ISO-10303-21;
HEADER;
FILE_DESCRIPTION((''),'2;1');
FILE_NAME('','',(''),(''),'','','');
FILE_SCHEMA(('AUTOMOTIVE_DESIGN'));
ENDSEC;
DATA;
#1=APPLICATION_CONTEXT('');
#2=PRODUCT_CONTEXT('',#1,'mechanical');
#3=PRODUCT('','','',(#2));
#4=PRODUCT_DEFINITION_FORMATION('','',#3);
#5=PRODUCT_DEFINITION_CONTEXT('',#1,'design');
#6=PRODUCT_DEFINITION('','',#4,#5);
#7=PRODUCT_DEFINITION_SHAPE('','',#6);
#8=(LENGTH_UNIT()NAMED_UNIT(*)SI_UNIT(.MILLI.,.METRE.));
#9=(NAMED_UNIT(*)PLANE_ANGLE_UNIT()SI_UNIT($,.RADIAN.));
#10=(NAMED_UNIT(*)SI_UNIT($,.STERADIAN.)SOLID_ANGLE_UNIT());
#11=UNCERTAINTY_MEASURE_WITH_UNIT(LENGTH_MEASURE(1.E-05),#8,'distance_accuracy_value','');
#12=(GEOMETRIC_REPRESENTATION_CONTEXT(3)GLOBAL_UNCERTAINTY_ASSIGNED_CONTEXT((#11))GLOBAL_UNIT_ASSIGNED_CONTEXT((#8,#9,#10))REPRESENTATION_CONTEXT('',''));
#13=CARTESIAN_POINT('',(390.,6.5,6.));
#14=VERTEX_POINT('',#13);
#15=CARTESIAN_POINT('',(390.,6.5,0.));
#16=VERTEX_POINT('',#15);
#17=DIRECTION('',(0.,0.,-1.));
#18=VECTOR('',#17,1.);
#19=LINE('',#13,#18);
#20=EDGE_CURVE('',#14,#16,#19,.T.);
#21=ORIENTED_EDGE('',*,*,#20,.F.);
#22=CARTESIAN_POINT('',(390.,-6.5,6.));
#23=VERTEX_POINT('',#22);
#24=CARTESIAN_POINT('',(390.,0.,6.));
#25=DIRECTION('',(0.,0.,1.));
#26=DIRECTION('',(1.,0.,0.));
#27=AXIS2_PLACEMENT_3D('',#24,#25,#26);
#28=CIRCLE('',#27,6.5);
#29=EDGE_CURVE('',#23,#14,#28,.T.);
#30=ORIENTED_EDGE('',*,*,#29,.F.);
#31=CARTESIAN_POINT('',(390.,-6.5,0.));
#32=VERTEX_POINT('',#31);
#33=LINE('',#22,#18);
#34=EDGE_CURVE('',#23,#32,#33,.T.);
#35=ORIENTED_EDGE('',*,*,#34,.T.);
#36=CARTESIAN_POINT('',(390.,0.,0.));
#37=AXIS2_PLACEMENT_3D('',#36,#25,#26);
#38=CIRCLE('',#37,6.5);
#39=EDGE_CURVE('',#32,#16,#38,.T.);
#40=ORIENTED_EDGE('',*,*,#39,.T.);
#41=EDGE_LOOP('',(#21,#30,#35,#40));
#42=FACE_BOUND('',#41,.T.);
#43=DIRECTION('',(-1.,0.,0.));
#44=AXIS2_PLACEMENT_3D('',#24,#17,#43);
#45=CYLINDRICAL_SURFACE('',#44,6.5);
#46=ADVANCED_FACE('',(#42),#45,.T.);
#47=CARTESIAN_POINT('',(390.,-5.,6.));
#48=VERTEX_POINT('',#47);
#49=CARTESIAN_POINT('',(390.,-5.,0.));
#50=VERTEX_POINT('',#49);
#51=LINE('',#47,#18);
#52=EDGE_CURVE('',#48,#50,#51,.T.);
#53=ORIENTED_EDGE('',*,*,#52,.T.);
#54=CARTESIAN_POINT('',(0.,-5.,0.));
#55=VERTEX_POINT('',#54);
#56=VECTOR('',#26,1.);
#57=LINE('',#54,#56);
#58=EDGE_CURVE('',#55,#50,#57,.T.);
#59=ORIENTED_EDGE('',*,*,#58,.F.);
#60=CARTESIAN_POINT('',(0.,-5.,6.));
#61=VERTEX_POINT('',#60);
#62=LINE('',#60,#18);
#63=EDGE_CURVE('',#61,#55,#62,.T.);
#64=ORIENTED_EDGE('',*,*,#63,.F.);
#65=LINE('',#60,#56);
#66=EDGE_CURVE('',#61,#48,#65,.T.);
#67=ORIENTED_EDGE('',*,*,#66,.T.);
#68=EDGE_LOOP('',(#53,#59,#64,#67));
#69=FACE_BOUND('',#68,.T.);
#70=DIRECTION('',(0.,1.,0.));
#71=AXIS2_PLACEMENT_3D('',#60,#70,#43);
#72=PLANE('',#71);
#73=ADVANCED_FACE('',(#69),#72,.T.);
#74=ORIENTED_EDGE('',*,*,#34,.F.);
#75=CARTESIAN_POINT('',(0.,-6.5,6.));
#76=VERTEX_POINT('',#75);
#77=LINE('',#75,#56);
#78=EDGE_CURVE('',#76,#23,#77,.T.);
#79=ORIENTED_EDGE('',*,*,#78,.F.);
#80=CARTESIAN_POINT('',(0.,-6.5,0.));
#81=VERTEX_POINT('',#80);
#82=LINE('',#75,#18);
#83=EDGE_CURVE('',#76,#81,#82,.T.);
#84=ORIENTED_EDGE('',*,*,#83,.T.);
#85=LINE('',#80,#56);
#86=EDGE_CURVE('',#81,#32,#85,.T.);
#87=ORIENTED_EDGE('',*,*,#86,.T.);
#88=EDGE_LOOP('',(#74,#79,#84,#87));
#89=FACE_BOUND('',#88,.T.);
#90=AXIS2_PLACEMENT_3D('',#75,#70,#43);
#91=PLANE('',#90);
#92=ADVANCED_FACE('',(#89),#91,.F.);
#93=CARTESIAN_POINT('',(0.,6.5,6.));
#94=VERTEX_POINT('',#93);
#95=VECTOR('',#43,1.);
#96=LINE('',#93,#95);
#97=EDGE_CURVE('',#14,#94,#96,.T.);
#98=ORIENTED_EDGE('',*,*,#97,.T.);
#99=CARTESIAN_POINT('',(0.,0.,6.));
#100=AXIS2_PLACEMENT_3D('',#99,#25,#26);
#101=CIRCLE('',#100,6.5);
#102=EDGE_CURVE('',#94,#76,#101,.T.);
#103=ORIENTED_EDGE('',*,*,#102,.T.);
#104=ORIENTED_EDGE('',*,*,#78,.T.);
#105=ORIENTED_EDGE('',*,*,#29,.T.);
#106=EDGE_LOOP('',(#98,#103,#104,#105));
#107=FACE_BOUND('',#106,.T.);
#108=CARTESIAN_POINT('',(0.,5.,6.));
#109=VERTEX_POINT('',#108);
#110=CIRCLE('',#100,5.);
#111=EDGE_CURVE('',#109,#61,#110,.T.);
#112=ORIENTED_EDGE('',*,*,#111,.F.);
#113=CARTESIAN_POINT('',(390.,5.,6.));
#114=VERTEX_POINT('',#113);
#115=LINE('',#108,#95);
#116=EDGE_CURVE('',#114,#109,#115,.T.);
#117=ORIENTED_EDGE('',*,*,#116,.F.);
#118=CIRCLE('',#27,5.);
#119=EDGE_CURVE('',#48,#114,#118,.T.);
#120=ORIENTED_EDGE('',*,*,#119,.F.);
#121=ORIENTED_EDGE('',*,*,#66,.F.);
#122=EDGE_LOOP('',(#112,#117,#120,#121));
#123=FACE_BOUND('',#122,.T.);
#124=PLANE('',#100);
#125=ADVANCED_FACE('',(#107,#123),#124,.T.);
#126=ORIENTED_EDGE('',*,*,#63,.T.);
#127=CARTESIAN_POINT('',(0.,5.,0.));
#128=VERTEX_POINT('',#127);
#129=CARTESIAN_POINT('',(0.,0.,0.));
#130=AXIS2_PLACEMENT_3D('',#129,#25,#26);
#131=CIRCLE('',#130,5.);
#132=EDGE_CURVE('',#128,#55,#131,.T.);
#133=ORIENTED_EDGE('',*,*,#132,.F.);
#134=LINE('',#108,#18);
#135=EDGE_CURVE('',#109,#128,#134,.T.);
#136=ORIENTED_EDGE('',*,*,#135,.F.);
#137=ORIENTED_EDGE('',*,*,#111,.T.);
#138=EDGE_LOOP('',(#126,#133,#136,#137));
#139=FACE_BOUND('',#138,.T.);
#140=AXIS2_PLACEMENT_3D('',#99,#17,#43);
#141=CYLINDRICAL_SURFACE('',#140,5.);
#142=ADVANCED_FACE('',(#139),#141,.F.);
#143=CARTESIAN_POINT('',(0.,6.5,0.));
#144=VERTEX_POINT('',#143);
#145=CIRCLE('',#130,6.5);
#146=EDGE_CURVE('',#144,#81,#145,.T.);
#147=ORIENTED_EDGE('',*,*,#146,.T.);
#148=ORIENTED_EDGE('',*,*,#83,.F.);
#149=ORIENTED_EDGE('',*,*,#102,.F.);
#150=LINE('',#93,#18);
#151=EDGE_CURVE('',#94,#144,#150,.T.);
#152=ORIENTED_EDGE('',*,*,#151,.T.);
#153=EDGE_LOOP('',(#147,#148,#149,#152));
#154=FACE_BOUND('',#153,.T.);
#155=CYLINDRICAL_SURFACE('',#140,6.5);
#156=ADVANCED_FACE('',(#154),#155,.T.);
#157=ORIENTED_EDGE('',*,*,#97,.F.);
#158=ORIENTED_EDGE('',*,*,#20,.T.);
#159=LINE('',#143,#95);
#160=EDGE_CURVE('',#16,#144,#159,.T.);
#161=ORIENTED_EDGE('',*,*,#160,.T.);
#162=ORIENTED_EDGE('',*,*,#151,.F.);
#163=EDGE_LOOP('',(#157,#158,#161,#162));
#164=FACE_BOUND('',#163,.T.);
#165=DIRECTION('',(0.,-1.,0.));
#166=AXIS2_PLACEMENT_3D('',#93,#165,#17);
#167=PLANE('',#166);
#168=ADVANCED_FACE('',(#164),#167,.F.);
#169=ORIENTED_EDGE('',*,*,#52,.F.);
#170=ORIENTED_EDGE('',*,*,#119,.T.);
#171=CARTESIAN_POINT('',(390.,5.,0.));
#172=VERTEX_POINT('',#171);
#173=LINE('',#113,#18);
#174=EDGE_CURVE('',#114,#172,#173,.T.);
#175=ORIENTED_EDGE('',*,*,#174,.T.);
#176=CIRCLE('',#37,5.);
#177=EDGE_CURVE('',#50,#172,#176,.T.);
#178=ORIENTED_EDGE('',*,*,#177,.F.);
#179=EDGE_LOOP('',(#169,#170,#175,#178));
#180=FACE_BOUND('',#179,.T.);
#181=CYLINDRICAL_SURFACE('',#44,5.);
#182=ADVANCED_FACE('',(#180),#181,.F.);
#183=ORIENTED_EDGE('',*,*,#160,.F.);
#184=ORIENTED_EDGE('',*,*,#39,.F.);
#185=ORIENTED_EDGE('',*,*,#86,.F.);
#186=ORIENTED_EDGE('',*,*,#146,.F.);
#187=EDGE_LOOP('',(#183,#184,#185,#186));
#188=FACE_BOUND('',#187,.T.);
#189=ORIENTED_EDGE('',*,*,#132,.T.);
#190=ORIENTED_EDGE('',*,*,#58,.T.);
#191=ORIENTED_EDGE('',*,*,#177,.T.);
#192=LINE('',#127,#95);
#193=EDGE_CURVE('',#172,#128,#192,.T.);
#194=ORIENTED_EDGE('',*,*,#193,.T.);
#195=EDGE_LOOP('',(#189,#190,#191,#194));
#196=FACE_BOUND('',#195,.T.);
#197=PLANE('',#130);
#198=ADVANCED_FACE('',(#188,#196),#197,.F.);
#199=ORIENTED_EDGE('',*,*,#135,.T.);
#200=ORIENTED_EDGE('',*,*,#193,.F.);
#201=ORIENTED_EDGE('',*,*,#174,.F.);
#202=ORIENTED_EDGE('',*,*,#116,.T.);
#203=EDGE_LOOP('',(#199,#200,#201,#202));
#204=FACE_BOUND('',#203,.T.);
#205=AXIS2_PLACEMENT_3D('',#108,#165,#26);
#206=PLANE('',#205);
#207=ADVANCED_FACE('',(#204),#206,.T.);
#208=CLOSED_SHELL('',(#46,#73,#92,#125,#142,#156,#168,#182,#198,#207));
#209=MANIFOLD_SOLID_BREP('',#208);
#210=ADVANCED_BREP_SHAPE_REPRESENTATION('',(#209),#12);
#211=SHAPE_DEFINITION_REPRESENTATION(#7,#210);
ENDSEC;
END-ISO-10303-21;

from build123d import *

# Parameters (mm, degrees)
EXTRUDE_1_DEPTH = 6


with BuildPart() as part:
    # 草图1 → 凸台-拉伸1 (new body)
    with BuildSketch(Plane.XY):
        with BuildLine():
            Line((0, 6.5), (390, 6.5))
            ThreePointArc((390, 6.5), (396.5, 0), (390, -6.5))
            Line((390, -6.5), (0, -6.5))
            ThreePointArc((0, -6.5), (-6.5, 0), (0, 6.5))
        make_face()
        with BuildLine():
            Line((0, 5), (390, 5))
            ThreePointArc((390, 5), (395, 0), (390, -5))
            Line((390, -5), (0, -5))
            ThreePointArc((0, -5), (-5, 0), (0, 5))
        make_face(mode=Mode.SUBTRACT)
    extrude(amount=EXTRUDE_1_DEPTH)


solid = part.part
